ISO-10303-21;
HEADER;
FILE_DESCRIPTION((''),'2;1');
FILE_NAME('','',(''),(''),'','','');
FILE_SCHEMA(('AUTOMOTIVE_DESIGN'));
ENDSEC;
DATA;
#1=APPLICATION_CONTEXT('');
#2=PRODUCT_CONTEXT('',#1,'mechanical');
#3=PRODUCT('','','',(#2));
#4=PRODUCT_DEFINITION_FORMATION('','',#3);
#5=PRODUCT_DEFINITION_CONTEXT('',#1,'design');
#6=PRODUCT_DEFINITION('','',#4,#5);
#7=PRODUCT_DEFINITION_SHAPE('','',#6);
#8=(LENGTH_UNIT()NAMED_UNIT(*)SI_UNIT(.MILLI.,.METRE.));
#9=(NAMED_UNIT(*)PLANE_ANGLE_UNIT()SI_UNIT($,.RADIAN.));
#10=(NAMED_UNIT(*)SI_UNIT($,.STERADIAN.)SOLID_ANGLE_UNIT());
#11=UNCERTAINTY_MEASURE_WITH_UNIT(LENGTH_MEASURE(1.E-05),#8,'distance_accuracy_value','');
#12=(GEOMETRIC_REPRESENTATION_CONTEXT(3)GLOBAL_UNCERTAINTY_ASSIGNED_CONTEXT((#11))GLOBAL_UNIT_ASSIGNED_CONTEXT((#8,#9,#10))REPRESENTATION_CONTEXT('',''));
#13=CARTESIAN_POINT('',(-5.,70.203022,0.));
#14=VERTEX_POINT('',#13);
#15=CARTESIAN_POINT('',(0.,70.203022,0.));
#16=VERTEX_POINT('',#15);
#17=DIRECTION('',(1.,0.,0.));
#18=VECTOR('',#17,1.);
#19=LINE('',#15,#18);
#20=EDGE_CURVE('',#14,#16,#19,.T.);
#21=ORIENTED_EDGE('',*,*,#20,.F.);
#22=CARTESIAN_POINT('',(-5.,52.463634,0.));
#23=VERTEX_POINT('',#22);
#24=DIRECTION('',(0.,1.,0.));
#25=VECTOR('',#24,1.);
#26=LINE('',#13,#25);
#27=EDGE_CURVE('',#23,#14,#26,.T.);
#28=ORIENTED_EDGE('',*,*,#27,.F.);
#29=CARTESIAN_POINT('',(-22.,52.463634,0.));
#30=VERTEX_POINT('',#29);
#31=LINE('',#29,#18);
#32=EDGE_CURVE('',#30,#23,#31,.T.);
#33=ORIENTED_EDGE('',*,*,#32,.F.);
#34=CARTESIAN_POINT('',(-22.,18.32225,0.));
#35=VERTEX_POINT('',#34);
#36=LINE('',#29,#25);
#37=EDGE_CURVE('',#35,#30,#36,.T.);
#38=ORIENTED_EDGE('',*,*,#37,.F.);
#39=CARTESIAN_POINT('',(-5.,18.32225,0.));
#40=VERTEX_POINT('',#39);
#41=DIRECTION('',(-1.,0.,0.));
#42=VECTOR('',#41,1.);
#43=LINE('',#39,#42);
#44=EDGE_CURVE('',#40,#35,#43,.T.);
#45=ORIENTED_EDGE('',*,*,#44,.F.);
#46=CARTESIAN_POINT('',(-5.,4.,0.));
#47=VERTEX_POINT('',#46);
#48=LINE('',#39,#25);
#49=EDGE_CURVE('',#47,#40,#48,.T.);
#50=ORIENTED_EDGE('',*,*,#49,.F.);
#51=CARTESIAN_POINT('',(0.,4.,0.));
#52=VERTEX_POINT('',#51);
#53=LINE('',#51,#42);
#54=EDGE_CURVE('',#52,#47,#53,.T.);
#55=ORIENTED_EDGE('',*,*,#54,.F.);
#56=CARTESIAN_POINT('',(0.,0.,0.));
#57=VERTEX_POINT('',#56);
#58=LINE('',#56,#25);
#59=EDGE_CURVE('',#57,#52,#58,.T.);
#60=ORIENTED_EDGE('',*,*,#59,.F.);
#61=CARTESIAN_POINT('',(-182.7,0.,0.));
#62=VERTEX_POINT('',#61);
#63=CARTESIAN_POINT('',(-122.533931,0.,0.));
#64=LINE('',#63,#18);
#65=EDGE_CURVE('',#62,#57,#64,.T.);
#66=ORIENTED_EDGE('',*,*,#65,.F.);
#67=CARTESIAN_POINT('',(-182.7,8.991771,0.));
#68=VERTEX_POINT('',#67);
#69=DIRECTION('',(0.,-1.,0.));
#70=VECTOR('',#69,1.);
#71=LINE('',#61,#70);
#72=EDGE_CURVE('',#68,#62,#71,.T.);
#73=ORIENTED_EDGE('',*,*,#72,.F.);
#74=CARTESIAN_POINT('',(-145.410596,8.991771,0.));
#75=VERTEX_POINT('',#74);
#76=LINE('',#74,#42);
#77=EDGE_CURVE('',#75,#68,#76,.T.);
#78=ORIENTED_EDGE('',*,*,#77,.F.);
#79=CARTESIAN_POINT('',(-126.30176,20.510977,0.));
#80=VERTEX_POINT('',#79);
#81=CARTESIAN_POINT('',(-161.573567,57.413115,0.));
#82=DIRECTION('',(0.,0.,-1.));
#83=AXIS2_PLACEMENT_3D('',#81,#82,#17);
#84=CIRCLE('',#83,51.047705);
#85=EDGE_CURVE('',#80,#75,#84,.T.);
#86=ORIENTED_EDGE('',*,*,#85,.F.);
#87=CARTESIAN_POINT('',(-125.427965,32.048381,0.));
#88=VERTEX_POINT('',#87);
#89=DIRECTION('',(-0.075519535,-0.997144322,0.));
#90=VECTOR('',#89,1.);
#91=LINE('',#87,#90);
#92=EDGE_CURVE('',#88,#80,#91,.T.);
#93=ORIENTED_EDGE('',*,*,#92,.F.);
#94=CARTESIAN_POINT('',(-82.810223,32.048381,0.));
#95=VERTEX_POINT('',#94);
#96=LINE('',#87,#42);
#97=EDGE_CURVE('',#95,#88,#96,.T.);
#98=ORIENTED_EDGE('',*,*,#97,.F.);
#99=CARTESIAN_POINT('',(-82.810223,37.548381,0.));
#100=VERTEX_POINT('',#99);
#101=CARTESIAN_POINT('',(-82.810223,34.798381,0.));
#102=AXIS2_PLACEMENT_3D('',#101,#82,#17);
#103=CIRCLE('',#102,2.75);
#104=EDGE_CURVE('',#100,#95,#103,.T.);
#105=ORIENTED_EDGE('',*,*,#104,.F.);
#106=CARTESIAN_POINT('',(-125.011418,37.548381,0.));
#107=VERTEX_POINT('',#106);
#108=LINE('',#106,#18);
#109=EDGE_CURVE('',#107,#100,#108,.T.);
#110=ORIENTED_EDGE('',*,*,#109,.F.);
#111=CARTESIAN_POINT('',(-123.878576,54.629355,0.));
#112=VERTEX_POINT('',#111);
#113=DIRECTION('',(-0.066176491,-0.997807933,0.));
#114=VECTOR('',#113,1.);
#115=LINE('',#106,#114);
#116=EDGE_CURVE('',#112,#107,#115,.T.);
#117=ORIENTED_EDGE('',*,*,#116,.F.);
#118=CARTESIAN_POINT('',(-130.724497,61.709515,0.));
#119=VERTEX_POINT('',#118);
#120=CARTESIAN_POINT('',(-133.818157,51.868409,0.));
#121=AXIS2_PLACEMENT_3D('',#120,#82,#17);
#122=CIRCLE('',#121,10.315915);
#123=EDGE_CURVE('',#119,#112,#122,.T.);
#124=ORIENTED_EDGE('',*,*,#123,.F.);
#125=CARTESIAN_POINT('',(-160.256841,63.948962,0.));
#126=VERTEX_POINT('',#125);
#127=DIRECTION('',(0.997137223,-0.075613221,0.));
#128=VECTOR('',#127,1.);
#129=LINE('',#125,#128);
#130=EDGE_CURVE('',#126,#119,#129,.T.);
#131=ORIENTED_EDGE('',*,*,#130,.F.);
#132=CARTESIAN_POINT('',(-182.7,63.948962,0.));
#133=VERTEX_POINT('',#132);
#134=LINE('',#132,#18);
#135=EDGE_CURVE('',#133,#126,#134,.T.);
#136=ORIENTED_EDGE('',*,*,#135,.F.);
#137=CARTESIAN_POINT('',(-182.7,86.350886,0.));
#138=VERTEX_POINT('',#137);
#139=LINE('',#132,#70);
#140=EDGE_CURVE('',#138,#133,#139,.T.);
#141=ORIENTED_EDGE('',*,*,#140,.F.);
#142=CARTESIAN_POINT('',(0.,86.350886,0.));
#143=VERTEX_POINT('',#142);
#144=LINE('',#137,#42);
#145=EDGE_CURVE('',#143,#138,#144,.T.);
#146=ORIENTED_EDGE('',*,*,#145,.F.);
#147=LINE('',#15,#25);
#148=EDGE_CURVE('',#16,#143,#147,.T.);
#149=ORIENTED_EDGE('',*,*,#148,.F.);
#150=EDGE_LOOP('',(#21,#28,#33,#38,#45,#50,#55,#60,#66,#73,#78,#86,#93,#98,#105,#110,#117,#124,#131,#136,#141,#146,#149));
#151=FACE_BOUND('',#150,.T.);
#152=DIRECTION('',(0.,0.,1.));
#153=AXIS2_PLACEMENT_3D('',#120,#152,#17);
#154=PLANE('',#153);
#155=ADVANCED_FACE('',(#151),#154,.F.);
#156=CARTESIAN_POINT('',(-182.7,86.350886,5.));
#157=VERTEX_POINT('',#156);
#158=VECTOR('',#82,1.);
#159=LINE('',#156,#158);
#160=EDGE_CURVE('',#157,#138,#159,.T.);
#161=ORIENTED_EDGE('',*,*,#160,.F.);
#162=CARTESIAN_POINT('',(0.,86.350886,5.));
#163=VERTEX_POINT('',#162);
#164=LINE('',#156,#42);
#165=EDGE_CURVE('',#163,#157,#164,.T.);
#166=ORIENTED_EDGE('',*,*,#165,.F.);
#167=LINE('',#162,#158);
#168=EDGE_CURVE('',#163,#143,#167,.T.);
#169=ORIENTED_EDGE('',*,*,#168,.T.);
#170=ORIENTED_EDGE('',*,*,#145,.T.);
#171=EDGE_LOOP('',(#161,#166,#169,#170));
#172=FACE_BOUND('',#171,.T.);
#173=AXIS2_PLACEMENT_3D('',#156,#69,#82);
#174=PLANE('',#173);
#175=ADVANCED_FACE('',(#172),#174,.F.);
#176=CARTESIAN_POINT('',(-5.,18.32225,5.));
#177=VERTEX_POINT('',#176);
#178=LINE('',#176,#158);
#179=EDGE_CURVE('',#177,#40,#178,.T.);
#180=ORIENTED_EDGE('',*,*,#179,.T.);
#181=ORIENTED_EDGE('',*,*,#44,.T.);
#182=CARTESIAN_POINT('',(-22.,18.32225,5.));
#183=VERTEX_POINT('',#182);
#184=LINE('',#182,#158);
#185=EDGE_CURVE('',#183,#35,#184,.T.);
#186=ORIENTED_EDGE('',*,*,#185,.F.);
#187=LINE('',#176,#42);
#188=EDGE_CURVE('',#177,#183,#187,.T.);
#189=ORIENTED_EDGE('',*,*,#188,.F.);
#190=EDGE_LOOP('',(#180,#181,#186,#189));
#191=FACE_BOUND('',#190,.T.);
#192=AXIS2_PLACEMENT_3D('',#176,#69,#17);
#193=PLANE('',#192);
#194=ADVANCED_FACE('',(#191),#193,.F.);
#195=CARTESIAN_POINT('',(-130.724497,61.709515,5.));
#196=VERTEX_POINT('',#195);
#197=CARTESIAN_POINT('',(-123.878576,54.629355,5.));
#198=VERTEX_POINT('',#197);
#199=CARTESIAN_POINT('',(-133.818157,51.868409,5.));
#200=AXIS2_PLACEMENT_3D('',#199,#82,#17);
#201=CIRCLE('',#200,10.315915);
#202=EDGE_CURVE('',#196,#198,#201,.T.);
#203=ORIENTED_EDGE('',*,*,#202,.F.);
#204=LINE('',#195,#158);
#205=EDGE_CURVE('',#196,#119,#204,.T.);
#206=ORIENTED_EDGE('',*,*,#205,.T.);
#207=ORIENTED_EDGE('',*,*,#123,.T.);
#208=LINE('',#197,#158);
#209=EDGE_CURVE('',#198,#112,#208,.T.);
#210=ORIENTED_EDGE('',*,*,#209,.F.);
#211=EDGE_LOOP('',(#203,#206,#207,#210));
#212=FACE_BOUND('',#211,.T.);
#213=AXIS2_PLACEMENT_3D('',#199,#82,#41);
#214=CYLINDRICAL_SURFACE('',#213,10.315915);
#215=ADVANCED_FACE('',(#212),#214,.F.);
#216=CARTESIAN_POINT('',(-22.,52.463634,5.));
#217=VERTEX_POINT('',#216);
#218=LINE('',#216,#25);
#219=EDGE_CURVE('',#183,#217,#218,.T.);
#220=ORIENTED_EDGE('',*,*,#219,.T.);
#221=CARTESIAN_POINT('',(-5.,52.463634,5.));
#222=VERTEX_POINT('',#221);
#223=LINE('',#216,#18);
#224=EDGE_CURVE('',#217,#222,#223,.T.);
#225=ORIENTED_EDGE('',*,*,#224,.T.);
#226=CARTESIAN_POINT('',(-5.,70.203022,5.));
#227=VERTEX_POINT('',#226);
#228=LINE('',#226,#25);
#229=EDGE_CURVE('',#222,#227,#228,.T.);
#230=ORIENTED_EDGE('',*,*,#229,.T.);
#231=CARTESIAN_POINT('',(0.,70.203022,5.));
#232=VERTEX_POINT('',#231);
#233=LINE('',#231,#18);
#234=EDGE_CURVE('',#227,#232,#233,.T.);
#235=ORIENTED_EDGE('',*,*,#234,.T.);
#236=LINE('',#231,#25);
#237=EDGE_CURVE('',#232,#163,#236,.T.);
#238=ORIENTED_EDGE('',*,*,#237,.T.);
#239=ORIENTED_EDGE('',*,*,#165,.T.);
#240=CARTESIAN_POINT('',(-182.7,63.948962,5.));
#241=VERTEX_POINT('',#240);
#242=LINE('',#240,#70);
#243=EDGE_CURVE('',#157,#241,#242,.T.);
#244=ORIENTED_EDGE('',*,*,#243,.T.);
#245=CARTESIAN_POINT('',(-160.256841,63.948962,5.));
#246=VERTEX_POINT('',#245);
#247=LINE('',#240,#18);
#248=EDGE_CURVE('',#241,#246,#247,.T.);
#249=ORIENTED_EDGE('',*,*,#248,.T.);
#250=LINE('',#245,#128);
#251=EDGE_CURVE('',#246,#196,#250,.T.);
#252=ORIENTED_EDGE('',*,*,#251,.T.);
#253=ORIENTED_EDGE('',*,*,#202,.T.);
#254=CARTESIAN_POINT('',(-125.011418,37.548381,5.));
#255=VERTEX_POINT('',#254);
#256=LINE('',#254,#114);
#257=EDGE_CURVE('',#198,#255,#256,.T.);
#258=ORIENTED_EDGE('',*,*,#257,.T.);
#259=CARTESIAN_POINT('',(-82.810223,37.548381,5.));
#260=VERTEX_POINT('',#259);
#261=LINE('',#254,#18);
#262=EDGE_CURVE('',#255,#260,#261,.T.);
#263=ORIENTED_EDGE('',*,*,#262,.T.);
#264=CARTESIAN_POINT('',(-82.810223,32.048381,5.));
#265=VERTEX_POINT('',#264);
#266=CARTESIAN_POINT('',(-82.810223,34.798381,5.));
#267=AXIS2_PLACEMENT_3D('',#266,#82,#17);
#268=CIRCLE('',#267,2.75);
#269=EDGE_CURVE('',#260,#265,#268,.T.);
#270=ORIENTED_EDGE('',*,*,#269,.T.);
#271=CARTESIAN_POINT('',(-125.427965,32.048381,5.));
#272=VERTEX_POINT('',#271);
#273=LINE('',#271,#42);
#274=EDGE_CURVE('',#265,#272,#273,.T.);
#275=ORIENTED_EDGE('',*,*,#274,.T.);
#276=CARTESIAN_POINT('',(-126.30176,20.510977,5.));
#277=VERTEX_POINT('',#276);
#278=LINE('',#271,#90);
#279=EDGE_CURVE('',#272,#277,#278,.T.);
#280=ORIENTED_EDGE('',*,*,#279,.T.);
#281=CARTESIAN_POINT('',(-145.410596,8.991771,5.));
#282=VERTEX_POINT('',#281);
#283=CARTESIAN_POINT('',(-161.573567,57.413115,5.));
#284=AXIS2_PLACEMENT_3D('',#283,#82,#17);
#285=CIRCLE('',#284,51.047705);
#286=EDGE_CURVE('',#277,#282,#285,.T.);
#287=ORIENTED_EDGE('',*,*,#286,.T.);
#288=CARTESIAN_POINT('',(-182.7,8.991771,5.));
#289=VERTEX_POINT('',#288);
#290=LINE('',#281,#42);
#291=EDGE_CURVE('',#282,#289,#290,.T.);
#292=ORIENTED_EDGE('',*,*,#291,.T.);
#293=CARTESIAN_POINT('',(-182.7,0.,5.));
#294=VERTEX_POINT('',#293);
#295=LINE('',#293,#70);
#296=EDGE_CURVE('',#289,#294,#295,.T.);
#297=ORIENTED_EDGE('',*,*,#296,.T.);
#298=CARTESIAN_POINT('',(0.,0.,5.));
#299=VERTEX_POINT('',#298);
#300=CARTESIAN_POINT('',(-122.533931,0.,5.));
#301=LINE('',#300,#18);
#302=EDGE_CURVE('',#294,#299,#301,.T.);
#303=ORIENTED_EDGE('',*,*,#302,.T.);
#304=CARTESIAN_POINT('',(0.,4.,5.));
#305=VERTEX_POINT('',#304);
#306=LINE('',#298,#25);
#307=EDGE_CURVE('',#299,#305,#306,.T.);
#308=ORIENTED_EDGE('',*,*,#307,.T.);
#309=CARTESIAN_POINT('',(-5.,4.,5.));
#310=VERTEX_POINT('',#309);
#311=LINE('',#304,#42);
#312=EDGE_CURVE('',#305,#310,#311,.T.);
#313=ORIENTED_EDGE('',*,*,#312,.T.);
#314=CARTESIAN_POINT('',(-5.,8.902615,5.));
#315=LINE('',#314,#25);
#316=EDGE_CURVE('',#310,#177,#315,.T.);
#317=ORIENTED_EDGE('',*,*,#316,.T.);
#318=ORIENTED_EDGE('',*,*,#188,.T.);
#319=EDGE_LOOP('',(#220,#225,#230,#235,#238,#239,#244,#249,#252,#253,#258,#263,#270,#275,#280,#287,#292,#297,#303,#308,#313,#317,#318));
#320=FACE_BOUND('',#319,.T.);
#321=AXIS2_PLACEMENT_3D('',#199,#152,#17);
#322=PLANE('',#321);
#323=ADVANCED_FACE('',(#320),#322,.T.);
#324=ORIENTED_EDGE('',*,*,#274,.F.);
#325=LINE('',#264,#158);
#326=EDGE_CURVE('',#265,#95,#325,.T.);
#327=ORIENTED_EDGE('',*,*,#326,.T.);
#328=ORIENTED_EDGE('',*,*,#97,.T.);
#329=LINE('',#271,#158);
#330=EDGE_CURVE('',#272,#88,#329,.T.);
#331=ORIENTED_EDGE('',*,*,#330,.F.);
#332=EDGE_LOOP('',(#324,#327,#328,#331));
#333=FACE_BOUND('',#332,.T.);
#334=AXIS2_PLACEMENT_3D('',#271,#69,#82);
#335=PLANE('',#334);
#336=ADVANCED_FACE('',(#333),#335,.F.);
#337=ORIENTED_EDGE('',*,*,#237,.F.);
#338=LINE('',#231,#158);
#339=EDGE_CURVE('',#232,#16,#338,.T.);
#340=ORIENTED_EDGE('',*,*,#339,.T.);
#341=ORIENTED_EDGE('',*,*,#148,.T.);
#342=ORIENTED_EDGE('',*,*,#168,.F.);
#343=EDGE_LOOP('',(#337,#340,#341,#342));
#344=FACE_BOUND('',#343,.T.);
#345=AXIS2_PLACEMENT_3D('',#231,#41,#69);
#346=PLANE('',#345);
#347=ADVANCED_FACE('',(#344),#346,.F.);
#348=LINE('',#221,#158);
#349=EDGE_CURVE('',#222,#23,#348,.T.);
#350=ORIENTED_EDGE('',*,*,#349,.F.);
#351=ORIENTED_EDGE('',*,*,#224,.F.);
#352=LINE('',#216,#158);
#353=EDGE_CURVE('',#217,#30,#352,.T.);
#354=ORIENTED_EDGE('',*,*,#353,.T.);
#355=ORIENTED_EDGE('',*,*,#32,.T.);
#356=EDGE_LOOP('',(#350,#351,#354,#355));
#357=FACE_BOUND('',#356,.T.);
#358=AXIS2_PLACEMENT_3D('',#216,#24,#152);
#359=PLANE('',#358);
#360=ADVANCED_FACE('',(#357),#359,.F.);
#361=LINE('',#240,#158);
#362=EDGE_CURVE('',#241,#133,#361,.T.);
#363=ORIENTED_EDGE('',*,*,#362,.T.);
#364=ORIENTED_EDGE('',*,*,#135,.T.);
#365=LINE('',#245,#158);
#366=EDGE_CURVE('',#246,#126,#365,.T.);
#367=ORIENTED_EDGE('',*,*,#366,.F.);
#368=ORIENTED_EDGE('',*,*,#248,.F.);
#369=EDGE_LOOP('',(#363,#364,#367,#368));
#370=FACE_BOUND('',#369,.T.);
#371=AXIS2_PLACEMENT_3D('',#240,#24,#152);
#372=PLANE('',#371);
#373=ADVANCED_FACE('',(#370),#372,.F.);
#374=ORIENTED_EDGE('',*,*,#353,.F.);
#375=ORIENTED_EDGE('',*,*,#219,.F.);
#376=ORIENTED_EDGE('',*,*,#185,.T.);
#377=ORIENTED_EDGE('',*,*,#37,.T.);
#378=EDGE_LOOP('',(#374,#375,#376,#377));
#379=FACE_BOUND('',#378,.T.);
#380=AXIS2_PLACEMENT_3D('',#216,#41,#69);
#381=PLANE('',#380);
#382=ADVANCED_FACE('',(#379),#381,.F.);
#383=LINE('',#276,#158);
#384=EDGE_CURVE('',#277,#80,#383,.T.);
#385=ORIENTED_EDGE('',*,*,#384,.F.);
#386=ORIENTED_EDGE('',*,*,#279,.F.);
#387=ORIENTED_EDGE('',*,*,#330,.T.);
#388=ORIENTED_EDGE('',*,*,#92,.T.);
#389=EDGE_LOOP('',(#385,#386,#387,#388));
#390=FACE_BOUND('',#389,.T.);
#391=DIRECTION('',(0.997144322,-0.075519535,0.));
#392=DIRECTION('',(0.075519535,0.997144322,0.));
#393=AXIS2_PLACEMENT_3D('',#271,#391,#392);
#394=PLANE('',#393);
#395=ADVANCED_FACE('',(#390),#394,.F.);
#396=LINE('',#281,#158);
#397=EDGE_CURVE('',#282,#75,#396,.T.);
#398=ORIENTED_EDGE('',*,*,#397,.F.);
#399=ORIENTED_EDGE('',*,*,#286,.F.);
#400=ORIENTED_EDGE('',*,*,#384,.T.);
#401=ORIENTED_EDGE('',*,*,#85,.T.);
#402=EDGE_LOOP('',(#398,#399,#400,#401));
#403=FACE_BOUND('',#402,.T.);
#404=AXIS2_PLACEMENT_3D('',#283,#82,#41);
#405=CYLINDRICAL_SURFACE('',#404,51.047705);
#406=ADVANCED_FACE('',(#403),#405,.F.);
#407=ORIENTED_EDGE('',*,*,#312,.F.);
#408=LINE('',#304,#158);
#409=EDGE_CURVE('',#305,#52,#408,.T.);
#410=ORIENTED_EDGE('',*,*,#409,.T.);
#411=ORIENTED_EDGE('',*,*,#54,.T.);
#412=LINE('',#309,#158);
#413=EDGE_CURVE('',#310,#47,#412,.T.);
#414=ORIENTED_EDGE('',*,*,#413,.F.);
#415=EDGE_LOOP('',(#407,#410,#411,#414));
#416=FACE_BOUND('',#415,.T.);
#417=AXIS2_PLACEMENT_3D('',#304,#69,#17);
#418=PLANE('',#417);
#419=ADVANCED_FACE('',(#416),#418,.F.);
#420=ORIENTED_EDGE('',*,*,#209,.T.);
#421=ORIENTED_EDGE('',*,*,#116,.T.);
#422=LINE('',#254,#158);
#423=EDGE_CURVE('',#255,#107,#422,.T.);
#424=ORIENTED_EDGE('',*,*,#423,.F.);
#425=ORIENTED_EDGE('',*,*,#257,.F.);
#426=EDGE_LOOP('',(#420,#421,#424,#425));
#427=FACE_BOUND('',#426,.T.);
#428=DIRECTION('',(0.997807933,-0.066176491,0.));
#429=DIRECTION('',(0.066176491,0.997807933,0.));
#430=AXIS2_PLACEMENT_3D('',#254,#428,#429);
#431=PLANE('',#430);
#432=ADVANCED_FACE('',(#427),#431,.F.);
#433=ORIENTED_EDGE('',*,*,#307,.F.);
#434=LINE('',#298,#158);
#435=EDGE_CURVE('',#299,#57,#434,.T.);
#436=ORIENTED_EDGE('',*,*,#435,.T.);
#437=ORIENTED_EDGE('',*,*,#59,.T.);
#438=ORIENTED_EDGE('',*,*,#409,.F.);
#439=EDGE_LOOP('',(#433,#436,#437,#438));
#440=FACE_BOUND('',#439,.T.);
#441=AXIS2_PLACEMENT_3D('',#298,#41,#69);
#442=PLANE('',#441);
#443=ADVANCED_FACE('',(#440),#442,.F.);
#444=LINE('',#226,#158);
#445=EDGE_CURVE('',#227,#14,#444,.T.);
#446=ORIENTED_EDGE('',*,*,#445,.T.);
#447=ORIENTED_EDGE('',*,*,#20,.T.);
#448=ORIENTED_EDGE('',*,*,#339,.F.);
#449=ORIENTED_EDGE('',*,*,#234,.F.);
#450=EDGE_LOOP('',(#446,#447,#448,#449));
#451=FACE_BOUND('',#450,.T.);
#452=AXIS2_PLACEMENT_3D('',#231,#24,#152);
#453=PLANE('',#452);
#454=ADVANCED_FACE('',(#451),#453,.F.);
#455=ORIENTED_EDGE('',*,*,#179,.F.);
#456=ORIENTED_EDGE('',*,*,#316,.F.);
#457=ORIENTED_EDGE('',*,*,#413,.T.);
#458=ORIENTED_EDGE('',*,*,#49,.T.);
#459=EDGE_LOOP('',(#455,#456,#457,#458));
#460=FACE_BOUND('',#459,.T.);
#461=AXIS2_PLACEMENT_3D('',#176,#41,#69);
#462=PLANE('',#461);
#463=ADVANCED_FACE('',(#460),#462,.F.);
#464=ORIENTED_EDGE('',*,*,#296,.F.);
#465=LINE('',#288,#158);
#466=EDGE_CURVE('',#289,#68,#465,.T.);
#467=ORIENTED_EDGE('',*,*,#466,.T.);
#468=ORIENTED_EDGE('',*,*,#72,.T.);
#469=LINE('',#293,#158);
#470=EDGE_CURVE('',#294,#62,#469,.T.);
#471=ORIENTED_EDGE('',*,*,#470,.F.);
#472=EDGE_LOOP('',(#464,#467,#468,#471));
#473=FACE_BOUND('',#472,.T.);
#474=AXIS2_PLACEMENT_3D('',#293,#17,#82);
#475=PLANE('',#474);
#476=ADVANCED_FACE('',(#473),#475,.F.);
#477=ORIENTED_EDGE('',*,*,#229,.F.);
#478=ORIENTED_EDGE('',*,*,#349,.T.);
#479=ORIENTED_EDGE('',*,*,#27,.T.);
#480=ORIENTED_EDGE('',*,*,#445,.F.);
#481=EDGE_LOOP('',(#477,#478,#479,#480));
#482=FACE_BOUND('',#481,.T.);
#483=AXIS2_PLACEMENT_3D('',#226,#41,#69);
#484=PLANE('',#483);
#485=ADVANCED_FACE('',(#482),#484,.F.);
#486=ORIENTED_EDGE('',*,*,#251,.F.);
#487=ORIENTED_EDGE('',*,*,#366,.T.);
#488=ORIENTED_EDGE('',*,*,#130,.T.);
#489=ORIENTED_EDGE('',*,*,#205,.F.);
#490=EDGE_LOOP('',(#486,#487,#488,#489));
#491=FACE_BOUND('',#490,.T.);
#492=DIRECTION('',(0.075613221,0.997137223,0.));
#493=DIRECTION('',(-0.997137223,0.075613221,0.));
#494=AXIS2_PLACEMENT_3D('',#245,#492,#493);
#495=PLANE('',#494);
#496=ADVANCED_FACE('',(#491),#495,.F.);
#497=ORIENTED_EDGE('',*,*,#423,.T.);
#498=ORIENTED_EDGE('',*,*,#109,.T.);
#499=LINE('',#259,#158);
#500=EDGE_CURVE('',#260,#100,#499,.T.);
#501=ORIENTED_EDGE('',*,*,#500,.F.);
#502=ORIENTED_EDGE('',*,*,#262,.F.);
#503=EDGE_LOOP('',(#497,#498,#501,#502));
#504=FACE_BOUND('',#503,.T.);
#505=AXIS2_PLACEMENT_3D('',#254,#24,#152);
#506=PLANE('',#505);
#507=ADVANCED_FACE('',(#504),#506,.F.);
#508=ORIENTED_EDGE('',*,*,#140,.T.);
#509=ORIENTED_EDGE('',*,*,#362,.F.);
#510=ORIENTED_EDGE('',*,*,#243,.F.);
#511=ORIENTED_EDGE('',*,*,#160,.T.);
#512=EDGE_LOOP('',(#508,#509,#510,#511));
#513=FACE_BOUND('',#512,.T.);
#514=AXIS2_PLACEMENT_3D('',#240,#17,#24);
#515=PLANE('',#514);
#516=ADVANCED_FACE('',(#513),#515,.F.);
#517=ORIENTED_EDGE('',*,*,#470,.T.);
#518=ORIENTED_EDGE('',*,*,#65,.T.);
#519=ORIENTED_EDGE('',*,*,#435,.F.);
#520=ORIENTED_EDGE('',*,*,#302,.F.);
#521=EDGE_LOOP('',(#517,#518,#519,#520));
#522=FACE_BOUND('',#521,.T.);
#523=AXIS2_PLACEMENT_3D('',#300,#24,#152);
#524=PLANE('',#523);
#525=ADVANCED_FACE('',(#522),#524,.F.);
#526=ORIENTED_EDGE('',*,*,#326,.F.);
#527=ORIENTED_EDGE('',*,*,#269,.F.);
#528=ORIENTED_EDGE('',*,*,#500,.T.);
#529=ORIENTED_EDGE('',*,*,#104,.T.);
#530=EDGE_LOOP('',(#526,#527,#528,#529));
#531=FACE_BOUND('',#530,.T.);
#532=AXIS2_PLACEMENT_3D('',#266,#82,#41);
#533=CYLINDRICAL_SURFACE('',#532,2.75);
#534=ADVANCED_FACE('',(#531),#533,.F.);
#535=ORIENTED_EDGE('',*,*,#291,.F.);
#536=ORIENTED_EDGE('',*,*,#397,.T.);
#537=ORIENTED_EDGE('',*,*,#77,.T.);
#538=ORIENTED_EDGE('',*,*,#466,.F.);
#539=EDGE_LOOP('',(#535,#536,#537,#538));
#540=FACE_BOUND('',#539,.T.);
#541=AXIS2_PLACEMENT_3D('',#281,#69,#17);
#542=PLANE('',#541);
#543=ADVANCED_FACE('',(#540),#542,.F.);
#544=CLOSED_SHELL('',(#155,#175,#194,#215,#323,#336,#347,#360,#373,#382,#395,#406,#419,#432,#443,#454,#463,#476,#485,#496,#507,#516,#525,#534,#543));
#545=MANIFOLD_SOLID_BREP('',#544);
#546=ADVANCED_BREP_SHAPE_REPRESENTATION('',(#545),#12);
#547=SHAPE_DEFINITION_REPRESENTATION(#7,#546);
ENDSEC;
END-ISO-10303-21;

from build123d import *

# Parameters (mm, degrees)
BOSS_EXTRUDE1_DEPTH = 5


with BuildPart() as part:
    # Sketch1 → Boss-Extrude1 (new body)
    with BuildSketch(Plane.XY):
        with BuildLine():
            Line((-122.533931464, 0), (0, 0))
            Line((0, 0), (0, 4))
            Line((0, 4), (-5, 4))
            Line((-5, 4), (-5, 8.902615006))
            Line((-5, 8.902615006), (-5, 13.902615006))
            Line((-5, 13.902615006), (-5, 18.32224988))
            Line((-5, 18.32224988), (-22, 18.32224988))
            Line((-22, 18.32224988), (-22, 52.463633889))
            Line((-22, 52.463633889), (-5, 52.463633889))
            Line((-5, 52.463633889), (-5, 70.203021905))
            Line((-5, 70.203021905), (0, 70.203021905))
            Line((0, 70.203021905), (0, 86.350886134))
            Line((0, 86.350886134), (-182.7, 86.350886134))
            Line((-182.7, 86.350886134), (-182.7, 63.94896177))
            Line((-182.7, 63.94896177), (-160.256841342, 63.94896177))
            Line((-160.256841342, 63.94896177), (-130.724497172, 61.709515068))
            ThreePointArc((-130.724497172, 61.709515068), (-126.402059121, 59.039154196), (-123.878576155, 54.629354699))
            Line((-123.878576155, 54.629354699), (-125.011418309, 37.548381087))
            Line((-125.011418309, 37.548381087), (-82.810223158, 37.548381087))
            ThreePointArc((-82.810223158, 37.548381087), (-80.060223158, 34.798381087), (-82.810223158, 32.048381087))
            Line((-82.810223158, 32.048381087), (-125.427965277, 32.048381087))
            Line((-125.427965277, 32.048381087), (-126.301759952, 20.510976937))
            ThreePointArc((-126.301759952, 20.510976937), (-135.219115409, 13.694571486), (-145.410596187, 8.991771131))
            Line((-145.410596187, 8.991771131), (-182.7, 8.991771131))
            Line((-182.7, 8.991771131), (-182.7, 0))
            Line((-182.7, 0), (-122.533931464, 0))
        make_face()
    extrude(amount=BOSS_EXTRUDE1_DEPTH)


solid = part.part
